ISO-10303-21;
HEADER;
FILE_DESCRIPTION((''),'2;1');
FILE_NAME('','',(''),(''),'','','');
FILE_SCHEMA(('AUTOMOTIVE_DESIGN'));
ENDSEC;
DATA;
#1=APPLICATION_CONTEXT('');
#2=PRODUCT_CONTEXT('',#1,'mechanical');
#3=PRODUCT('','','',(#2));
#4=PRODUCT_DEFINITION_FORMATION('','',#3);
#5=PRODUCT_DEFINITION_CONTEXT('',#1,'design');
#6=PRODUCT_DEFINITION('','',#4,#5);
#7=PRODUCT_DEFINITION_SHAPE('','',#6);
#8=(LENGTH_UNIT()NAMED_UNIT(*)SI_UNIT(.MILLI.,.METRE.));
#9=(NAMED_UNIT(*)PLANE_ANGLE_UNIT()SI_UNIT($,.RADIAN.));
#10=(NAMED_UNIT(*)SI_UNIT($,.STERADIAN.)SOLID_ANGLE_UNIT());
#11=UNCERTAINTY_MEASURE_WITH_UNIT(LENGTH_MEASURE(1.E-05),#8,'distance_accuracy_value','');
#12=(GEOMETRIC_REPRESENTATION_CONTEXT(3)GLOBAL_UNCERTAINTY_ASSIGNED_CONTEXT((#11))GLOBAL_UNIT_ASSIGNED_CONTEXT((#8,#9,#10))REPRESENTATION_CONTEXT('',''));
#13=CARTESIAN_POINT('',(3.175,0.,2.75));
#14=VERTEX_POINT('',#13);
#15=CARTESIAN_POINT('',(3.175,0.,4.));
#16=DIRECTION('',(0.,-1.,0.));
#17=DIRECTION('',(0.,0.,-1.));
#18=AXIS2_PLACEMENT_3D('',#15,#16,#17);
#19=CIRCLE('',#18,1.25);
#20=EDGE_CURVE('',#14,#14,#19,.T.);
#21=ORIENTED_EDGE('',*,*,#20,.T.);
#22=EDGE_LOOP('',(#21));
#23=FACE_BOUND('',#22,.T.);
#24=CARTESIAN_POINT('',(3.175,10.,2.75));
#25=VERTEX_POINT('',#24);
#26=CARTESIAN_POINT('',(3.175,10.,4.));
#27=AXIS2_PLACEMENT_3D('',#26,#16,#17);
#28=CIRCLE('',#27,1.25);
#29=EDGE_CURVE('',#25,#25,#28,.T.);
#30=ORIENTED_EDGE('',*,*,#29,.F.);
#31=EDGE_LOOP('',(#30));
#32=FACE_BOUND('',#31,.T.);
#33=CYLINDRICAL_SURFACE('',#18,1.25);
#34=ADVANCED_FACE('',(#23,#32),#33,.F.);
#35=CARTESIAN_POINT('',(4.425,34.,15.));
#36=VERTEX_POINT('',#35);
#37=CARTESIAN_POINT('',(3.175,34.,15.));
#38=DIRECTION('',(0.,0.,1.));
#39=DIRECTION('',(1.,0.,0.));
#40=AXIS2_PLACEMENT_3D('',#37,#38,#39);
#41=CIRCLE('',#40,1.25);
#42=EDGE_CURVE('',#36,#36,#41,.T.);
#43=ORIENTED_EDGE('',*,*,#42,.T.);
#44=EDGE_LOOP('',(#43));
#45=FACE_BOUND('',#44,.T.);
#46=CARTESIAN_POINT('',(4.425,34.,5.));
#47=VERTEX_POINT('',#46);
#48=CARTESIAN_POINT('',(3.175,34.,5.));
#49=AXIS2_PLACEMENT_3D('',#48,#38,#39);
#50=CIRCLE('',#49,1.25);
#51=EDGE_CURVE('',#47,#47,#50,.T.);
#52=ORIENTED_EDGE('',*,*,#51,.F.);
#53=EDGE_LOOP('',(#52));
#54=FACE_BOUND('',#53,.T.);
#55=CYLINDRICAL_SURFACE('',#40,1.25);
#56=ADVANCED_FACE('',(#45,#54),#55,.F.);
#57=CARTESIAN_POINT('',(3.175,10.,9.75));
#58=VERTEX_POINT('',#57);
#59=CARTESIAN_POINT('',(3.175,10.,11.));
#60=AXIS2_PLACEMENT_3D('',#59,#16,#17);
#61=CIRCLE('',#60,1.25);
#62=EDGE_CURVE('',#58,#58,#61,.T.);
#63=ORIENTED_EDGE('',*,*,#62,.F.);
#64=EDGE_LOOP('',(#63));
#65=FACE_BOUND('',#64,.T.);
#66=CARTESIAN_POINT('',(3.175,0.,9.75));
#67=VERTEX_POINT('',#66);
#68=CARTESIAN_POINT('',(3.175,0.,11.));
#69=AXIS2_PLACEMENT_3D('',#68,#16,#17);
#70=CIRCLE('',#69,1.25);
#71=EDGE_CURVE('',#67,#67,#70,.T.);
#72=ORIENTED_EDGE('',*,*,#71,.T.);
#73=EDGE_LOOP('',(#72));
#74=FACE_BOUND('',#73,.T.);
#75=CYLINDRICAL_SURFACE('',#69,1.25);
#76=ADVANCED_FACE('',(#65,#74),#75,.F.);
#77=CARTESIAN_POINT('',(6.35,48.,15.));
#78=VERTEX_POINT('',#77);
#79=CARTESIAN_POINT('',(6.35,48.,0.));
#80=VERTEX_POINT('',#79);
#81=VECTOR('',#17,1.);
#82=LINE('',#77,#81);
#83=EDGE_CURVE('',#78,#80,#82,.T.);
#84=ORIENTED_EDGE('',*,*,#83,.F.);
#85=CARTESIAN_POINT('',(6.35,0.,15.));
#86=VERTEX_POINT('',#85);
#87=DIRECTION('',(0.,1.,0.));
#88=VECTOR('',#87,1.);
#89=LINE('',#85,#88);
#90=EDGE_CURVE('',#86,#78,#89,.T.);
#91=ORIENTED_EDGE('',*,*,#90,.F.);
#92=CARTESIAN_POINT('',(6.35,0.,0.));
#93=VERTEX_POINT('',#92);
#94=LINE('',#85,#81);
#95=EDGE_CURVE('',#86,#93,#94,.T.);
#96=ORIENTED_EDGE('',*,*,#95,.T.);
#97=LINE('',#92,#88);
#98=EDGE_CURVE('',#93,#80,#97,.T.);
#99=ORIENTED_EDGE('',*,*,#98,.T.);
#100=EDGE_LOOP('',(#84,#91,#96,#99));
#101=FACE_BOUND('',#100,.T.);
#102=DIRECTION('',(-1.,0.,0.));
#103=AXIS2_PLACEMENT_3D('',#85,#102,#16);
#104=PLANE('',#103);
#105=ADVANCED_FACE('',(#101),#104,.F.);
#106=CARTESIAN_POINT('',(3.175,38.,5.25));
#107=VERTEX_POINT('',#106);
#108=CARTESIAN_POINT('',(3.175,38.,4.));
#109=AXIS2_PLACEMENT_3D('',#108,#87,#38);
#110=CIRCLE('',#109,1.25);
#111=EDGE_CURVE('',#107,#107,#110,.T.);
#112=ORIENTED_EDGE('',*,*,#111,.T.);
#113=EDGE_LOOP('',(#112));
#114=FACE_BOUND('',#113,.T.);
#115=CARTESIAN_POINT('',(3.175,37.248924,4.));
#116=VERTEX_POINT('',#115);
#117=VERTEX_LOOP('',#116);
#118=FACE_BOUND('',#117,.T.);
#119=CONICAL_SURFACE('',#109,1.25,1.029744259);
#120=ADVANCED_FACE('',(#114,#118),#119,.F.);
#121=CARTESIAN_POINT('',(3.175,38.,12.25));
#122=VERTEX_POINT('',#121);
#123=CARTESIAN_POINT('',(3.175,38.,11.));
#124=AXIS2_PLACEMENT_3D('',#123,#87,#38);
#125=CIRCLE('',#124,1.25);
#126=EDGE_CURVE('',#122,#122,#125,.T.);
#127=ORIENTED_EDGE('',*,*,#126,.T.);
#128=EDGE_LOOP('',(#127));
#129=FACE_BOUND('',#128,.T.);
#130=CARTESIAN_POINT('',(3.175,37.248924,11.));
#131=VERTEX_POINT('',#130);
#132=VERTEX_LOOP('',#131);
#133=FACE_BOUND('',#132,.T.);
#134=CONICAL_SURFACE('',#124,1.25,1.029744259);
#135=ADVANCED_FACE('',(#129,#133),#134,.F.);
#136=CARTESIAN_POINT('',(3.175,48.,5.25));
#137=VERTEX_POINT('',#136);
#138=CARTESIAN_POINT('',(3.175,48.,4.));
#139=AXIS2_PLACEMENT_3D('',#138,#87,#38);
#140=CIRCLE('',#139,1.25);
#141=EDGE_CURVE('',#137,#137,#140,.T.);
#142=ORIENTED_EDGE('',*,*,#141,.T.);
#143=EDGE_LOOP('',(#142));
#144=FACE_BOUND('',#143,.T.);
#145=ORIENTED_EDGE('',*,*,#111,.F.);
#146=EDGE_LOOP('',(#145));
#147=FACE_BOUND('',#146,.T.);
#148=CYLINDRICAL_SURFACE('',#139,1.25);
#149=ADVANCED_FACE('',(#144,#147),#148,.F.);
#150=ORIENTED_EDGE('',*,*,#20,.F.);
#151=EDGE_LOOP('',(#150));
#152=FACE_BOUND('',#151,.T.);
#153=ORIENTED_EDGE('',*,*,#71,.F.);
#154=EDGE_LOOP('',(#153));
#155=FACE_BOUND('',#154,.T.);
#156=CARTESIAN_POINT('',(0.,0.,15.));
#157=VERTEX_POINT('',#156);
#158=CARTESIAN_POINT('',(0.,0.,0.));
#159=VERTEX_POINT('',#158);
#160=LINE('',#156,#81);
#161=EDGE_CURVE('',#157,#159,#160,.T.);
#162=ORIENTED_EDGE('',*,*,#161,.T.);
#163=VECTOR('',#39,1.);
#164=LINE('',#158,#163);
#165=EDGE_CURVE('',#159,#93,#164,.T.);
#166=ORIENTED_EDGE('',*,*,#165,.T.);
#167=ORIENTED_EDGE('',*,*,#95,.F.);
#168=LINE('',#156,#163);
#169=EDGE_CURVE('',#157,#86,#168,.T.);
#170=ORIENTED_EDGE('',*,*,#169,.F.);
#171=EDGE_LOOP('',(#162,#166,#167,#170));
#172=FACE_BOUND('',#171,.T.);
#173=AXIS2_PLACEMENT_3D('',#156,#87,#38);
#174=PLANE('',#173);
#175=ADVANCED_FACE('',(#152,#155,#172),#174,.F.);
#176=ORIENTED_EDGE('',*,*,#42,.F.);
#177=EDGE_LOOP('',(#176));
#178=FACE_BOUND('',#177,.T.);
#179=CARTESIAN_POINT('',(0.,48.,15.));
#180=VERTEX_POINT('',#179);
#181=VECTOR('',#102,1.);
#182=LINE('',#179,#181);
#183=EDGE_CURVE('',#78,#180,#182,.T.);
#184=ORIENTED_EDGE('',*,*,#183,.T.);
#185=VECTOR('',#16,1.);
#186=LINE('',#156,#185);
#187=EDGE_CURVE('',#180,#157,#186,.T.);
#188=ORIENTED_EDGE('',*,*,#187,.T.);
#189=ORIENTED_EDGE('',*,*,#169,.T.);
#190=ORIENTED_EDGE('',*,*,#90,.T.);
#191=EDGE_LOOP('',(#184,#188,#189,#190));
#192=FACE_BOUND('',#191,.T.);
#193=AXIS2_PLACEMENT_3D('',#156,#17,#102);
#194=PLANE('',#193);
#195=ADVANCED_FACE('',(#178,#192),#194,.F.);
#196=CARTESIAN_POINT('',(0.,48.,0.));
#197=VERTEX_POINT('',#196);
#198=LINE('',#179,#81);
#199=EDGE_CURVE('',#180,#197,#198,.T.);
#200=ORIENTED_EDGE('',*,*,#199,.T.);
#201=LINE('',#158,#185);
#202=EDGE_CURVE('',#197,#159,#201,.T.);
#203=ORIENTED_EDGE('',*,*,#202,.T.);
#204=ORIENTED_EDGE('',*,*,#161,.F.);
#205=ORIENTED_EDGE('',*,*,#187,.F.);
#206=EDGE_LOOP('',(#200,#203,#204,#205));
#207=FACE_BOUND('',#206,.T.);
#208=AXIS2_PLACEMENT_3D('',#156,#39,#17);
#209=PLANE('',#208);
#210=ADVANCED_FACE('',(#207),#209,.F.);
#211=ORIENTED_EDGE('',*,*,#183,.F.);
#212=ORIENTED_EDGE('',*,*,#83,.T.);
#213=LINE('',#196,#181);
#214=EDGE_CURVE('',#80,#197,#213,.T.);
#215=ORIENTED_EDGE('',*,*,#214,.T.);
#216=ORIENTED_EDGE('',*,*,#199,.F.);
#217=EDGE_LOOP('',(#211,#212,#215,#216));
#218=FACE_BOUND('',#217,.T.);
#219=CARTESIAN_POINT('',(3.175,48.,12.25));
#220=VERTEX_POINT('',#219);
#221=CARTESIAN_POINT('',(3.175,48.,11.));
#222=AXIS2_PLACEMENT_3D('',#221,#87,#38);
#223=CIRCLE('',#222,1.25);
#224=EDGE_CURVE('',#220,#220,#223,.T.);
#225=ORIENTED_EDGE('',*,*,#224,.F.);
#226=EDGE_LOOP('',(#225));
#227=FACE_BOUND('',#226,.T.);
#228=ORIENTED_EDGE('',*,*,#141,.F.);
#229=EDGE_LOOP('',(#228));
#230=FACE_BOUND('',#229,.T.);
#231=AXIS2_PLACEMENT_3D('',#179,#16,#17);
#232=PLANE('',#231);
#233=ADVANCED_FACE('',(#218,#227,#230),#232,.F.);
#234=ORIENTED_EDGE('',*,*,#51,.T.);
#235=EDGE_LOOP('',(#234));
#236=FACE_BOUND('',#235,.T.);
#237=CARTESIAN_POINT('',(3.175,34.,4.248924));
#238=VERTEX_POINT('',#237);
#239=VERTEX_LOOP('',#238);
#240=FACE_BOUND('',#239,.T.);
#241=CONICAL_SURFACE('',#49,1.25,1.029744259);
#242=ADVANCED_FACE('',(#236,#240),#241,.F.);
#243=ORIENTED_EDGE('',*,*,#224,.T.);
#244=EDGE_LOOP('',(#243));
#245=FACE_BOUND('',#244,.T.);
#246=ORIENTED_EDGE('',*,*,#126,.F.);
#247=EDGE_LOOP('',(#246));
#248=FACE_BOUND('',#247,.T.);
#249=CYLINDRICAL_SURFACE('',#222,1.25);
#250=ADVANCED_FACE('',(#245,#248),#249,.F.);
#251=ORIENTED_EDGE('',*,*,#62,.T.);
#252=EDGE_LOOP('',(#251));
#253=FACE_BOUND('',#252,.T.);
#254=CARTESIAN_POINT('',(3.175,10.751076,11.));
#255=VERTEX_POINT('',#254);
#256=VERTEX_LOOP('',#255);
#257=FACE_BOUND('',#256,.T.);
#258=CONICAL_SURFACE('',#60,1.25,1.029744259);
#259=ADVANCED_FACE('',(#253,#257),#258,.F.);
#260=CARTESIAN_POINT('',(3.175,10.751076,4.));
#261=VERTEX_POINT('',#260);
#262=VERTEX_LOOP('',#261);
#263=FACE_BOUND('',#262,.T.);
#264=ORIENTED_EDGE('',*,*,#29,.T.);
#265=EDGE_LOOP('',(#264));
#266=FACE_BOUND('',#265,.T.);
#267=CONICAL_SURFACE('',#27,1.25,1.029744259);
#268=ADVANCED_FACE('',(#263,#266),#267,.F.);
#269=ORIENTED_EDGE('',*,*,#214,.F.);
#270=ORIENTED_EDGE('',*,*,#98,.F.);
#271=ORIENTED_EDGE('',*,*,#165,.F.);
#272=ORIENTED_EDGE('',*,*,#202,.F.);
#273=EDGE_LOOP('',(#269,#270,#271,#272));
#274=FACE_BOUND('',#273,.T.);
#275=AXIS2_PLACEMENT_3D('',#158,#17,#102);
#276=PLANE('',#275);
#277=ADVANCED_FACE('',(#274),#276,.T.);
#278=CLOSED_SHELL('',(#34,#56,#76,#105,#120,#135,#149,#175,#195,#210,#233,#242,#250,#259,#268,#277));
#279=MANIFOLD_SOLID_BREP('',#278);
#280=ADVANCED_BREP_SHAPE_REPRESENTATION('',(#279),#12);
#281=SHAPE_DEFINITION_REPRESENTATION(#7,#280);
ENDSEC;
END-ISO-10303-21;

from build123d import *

# Parameters (mm, degrees)
ESBO_O1_W                 = 6.35
ESBO_O1_H                 = 48
RESSALTO_EXTRUS_O1_DEPTH  = 15
FURO_ROSCADO_DE_M31_D     = 2.5
FURO_ROSCADO_DE_M31_DEPTH = 10
FURO_ROSCADO_DE_M31_TIP   = 0.751075774
FURO_ROSCADO_DE_M32_D     = 2.5
FURO_ROSCADO_DE_M32_DEPTH = 10
FURO_ROSCADO_DE_M32_TIP   = 0.751075774
FURO_ROSCADO_DE_M33_D     = 2.5
FURO_ROSCADO_DE_M33_DEPTH = 10
FURO_ROSCADO_DE_M33_TIP   = 0.751075774


with BuildPart() as part:
    # Esboço1 → Ressalto-extrusão1 (new body)
    with BuildSketch(Plane.XY):
        with Locations((3.175, 24)):
            Rectangle(ESBO_O1_W, ESBO_O1_H)
    extrude(amount=RESSALTO_EXTRUS_O1_DEPTH)

    # Furo roscado de M31
    with Locations(Plane(origin=(3.175, 0, 11), x_dir=(0, 0, -1), z_dir=(0, -1, 0))):
        with Locations((0, 0), (7, 0)):
            Hole(FURO_ROSCADO_DE_M31_D / 2, depth=FURO_ROSCADO_DE_M31_DEPTH)
            with Locations((0, 0, -(FURO_ROSCADO_DE_M31_DEPTH + FURO_ROSCADO_DE_M31_TIP / 2))):  # 118° drill point
                Cone(0, FURO_ROSCADO_DE_M31_D / 2, FURO_ROSCADO_DE_M31_TIP, mode=Mode.SUBTRACT)

    # Furo roscado de M32
    with Locations(Plane(origin=(3.175, 48, 4), x_dir=(0, 0, 1), z_dir=(0, 1, 0))):
        with Locations((0, 0), (7, 0)):
            Hole(FURO_ROSCADO_DE_M32_D / 2, depth=FURO_ROSCADO_DE_M32_DEPTH)
            with Locations((0, 0, -(FURO_ROSCADO_DE_M32_DEPTH + FURO_ROSCADO_DE_M32_TIP / 2))):  # 118° drill point
                Cone(0, FURO_ROSCADO_DE_M32_D / 2, FURO_ROSCADO_DE_M32_TIP, mode=Mode.SUBTRACT)

    # Furo roscado de M33
    with Locations(Plane(origin=(3.175, 34, 15), x_dir=(1, 0, 0), z_dir=(0, 0, 1))):
        with Locations((0, 0)):
            Hole(FURO_ROSCADO_DE_M33_D / 2, depth=FURO_ROSCADO_DE_M33_DEPTH)
            with Locations((0, 0, -(FURO_ROSCADO_DE_M33_DEPTH + FURO_ROSCADO_DE_M33_TIP / 2))):  # 118° drill point
                Cone(0, FURO_ROSCADO_DE_M33_D / 2, FURO_ROSCADO_DE_M33_TIP, mode=Mode.SUBTRACT)


solid = part.part
